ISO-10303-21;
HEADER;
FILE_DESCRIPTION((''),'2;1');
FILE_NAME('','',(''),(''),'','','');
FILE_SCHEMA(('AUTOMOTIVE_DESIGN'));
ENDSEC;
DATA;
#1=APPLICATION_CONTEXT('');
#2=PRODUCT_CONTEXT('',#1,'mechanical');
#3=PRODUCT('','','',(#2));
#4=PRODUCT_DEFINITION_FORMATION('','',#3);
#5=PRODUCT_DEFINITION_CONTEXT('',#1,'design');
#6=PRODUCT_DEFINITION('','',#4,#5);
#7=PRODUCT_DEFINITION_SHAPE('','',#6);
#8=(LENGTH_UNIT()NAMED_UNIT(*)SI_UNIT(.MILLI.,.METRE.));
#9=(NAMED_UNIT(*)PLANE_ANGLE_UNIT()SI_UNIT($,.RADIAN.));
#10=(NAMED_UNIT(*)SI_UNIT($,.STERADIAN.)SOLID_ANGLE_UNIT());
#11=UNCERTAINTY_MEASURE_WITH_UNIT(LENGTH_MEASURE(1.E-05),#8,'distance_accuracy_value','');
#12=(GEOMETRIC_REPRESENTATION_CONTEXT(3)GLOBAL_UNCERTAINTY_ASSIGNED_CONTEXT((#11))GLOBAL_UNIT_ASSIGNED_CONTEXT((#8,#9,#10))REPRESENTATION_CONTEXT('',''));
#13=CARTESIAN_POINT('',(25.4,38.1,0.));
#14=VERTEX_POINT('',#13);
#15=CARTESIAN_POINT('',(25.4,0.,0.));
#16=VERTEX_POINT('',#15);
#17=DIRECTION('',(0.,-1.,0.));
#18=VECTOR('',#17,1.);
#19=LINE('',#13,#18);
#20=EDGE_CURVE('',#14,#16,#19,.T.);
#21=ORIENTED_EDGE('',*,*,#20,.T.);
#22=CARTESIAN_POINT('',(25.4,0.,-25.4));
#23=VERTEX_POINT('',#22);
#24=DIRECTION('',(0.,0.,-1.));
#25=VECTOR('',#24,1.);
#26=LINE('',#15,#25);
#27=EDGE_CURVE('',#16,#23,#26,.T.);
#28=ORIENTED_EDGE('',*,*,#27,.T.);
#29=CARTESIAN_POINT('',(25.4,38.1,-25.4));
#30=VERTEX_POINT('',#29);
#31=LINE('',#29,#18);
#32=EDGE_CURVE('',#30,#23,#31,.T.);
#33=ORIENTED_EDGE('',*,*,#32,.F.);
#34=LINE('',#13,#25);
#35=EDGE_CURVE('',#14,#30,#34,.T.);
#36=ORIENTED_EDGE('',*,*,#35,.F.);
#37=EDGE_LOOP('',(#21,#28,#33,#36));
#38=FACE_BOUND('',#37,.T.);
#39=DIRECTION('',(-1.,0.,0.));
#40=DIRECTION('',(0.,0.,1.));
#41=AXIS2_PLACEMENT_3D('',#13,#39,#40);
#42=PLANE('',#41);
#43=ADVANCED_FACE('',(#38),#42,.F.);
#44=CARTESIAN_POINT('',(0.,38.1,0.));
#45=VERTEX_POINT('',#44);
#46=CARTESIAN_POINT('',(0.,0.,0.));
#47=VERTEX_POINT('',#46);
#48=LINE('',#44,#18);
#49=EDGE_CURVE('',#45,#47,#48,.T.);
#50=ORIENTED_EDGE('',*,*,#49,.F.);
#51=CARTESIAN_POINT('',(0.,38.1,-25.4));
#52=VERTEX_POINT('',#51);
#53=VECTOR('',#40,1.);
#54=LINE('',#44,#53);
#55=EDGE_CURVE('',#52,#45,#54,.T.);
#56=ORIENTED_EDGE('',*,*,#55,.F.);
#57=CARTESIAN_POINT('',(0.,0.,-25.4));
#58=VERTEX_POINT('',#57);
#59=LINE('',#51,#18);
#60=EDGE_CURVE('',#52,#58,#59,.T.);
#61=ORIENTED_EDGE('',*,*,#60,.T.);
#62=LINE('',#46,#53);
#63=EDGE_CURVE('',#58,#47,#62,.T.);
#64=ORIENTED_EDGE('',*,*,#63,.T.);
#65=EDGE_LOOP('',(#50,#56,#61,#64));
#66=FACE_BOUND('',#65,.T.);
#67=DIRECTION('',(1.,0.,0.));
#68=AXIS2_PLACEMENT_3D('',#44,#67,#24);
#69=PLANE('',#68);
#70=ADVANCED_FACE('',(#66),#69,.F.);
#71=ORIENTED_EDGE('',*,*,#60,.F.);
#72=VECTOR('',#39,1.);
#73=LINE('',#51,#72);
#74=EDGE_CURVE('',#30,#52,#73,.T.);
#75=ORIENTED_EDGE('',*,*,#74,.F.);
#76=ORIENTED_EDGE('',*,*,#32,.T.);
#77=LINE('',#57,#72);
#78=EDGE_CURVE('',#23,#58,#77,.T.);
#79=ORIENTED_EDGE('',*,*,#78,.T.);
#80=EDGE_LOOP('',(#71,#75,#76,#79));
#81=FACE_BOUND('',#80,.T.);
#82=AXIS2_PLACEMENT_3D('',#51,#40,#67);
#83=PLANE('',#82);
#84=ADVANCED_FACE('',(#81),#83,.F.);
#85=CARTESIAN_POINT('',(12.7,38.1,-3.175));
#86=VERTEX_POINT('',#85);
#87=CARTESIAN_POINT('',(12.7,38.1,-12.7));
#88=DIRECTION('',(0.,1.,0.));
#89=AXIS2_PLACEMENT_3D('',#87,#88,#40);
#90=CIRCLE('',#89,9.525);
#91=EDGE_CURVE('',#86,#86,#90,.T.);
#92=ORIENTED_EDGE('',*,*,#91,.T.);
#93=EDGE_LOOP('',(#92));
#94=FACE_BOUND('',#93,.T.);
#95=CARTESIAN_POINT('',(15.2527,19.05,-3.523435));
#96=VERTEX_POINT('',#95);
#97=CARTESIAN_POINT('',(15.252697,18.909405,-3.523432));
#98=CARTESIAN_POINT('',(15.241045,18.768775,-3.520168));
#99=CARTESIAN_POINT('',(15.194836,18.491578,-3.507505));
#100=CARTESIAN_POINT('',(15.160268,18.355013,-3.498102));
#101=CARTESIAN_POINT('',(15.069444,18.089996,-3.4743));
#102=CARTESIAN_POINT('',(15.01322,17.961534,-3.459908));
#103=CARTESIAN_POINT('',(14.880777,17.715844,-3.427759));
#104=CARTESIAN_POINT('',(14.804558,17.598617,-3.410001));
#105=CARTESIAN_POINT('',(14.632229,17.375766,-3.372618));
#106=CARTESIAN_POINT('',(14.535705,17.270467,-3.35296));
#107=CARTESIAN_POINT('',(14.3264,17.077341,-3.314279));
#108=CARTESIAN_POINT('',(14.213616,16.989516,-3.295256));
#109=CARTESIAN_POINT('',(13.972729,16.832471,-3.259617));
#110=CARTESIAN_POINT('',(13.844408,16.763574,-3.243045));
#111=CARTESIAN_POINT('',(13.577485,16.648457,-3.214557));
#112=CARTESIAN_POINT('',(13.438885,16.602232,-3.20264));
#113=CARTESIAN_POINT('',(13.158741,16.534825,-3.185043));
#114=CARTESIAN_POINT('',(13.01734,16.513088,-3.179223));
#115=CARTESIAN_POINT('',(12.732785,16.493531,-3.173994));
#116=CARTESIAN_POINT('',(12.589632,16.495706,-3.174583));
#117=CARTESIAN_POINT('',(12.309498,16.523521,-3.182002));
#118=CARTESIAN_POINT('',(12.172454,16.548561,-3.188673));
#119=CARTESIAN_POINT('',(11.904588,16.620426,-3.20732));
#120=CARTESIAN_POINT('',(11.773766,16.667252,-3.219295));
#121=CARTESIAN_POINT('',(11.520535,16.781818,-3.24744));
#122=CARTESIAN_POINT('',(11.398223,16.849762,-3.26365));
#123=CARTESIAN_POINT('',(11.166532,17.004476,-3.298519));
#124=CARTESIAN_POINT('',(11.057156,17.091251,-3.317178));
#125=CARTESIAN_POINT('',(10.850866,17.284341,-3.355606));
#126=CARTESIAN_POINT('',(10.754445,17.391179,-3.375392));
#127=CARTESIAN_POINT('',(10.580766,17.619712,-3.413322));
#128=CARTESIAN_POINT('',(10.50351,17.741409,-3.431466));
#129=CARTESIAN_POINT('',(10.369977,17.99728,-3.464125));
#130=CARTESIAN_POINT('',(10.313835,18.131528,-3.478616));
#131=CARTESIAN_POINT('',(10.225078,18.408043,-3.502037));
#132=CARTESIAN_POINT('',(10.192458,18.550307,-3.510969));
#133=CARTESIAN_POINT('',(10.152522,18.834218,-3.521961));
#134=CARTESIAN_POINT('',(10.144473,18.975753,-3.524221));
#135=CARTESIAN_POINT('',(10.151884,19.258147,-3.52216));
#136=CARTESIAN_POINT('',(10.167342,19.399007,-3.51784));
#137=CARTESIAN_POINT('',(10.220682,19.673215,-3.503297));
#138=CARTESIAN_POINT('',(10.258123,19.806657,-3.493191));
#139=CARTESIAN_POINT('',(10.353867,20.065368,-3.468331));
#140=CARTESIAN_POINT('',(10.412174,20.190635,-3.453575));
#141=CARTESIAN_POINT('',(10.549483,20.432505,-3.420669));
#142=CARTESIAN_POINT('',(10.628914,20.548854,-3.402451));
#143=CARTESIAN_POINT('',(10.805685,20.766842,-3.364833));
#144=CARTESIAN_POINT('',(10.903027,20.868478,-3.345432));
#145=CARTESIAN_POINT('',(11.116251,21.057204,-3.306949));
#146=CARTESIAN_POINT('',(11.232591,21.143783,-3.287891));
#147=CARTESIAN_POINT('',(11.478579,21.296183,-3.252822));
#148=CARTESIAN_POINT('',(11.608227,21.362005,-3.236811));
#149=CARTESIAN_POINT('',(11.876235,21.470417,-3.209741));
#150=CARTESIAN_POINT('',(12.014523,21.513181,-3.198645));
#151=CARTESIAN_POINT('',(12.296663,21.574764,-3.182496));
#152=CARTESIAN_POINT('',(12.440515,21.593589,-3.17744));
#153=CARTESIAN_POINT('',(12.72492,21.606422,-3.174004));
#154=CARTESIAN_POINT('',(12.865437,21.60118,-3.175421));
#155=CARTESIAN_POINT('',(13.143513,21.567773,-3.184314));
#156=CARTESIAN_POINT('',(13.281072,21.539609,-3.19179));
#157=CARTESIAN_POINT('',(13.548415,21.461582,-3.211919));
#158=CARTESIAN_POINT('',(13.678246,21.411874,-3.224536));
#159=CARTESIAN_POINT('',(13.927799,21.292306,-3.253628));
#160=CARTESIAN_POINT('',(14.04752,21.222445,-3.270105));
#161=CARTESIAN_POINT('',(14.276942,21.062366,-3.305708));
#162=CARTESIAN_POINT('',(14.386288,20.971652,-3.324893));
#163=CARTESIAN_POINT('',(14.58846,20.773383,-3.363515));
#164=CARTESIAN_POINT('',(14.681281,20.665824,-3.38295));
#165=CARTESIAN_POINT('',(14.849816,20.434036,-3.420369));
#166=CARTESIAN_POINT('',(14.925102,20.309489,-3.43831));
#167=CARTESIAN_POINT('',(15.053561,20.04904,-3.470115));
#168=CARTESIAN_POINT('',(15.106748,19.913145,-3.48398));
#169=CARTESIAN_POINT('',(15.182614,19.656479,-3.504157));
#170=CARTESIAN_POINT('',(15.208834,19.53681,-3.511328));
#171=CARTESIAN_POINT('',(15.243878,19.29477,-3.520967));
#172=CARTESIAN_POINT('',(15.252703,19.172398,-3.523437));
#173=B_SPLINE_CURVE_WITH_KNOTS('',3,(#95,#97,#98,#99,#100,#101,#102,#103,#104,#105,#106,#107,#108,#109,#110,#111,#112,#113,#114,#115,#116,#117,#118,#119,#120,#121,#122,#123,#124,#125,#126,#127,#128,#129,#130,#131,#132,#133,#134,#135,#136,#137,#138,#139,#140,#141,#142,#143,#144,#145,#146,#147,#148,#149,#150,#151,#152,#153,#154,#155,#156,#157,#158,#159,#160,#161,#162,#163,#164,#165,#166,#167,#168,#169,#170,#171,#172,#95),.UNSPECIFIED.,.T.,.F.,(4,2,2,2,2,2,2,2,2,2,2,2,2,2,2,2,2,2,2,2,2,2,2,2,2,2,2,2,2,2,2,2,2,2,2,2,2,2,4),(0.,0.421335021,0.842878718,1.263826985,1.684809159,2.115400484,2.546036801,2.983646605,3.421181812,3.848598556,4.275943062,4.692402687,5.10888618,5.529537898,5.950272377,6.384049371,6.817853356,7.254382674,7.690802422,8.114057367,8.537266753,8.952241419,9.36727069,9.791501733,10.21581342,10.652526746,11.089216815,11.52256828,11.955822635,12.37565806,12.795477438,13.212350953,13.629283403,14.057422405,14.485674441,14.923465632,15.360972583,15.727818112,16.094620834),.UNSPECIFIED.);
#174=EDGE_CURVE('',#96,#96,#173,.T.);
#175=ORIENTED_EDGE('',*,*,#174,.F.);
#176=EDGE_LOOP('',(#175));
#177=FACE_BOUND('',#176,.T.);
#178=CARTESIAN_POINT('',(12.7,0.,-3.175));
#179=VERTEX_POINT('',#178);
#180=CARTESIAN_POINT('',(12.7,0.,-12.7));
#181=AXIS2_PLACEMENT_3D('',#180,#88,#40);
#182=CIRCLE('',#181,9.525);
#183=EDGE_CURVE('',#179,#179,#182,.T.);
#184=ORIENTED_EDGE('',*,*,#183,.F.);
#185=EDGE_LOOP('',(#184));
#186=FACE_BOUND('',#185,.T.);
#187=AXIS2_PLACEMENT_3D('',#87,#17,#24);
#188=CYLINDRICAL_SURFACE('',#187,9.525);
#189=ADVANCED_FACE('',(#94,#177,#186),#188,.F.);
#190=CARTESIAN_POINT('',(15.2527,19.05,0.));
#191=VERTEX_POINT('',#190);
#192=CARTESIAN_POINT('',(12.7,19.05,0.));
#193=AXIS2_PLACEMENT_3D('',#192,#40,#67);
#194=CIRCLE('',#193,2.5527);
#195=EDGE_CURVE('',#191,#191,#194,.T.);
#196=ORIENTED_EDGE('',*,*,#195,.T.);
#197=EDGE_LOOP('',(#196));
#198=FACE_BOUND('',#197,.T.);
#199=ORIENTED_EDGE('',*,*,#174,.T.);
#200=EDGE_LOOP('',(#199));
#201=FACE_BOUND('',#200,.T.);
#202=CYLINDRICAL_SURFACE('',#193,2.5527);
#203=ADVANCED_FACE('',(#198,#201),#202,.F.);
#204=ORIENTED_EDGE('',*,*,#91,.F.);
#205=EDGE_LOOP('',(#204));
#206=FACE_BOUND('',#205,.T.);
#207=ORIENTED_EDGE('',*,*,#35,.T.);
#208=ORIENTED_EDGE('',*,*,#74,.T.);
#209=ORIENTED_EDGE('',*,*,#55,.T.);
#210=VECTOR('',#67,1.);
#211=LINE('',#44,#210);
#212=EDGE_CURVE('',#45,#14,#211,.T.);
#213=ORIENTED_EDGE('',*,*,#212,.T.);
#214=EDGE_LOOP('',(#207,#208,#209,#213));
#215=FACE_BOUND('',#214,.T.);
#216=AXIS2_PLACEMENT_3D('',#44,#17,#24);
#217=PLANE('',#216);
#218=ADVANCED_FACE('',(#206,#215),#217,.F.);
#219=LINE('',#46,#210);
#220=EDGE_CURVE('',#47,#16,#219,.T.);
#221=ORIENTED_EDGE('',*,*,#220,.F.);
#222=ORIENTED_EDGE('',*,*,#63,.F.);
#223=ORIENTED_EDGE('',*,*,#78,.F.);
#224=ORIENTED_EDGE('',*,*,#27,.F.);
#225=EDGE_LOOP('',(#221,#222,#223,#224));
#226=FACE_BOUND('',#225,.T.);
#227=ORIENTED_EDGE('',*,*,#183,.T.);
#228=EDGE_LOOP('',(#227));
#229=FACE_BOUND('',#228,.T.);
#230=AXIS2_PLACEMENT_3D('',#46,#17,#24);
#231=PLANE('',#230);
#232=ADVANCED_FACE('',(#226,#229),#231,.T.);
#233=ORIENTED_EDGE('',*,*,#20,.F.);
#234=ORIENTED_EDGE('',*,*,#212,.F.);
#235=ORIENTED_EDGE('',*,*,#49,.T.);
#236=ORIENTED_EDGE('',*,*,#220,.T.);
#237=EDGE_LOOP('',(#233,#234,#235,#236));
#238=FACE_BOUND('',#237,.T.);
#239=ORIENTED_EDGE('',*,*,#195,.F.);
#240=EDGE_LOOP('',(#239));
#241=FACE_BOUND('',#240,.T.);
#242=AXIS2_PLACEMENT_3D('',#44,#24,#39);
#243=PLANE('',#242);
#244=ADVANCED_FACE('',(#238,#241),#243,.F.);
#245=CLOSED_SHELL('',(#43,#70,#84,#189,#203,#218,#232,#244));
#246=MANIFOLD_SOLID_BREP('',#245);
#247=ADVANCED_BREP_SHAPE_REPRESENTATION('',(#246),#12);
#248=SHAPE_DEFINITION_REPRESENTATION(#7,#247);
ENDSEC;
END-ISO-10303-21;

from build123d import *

# Parameters (mm, degrees)
SKETCH1_W                        = 25.4
SKETCH1_H                        = 25.4
SKETCH1_R                        = 9.525
BOSS_EXTRUDE1_DEPTH              = 38.1
TAP_DRILL_FOR_1_4_20_TAP1_REACH  = 54.363
TAP_DRILL_FOR_1_4_20_TAP1_BORE_R = 2.5527


with BuildPart() as part:
    # Sketch1 → Boss-Extrude1 (new body)
    with BuildSketch(Plane(origin=(0, 0, 0), x_dir=(1, 0, 0), z_dir=(0, 1, 0))):
        with Locations((12.7, 12.7)):
            Rectangle(SKETCH1_W, SKETCH1_H)
        with Locations(Location((12.7, 12.7, 0), (0, 0, 90))):
            Circle(SKETCH1_R, mode=Mode.SUBTRACT)
    extrude(amount=BOSS_EXTRUDE1_DEPTH)

    # Tap Drill for 1/4-20 Tap1 bore → Tap Drill for 1/4-20 Tap1 (cut, up to next)
    with BuildSketch(Plane.XY, mode=Mode.PRIVATE) as tap_drill_for_1_4_20_tap1_sk1:
        with Locations((12.7, 19.05)):
            Circle(TAP_DRILL_FOR_1_4_20_TAP1_BORE_R)
    tap_drill_for_1_4_20_tap1_tool1 = extrude(tap_drill_for_1_4_20_tap1_sk1.sketch, amount=-TAP_DRILL_FOR_1_4_20_TAP1_REACH, mode=Mode.PRIVATE) & part.part
    add(tap_drill_for_1_4_20_tap1_tool1.solids().sort_by_distance((12.7, 19.05, 0))[0], mode=Mode.SUBTRACT)


solid = part.part
